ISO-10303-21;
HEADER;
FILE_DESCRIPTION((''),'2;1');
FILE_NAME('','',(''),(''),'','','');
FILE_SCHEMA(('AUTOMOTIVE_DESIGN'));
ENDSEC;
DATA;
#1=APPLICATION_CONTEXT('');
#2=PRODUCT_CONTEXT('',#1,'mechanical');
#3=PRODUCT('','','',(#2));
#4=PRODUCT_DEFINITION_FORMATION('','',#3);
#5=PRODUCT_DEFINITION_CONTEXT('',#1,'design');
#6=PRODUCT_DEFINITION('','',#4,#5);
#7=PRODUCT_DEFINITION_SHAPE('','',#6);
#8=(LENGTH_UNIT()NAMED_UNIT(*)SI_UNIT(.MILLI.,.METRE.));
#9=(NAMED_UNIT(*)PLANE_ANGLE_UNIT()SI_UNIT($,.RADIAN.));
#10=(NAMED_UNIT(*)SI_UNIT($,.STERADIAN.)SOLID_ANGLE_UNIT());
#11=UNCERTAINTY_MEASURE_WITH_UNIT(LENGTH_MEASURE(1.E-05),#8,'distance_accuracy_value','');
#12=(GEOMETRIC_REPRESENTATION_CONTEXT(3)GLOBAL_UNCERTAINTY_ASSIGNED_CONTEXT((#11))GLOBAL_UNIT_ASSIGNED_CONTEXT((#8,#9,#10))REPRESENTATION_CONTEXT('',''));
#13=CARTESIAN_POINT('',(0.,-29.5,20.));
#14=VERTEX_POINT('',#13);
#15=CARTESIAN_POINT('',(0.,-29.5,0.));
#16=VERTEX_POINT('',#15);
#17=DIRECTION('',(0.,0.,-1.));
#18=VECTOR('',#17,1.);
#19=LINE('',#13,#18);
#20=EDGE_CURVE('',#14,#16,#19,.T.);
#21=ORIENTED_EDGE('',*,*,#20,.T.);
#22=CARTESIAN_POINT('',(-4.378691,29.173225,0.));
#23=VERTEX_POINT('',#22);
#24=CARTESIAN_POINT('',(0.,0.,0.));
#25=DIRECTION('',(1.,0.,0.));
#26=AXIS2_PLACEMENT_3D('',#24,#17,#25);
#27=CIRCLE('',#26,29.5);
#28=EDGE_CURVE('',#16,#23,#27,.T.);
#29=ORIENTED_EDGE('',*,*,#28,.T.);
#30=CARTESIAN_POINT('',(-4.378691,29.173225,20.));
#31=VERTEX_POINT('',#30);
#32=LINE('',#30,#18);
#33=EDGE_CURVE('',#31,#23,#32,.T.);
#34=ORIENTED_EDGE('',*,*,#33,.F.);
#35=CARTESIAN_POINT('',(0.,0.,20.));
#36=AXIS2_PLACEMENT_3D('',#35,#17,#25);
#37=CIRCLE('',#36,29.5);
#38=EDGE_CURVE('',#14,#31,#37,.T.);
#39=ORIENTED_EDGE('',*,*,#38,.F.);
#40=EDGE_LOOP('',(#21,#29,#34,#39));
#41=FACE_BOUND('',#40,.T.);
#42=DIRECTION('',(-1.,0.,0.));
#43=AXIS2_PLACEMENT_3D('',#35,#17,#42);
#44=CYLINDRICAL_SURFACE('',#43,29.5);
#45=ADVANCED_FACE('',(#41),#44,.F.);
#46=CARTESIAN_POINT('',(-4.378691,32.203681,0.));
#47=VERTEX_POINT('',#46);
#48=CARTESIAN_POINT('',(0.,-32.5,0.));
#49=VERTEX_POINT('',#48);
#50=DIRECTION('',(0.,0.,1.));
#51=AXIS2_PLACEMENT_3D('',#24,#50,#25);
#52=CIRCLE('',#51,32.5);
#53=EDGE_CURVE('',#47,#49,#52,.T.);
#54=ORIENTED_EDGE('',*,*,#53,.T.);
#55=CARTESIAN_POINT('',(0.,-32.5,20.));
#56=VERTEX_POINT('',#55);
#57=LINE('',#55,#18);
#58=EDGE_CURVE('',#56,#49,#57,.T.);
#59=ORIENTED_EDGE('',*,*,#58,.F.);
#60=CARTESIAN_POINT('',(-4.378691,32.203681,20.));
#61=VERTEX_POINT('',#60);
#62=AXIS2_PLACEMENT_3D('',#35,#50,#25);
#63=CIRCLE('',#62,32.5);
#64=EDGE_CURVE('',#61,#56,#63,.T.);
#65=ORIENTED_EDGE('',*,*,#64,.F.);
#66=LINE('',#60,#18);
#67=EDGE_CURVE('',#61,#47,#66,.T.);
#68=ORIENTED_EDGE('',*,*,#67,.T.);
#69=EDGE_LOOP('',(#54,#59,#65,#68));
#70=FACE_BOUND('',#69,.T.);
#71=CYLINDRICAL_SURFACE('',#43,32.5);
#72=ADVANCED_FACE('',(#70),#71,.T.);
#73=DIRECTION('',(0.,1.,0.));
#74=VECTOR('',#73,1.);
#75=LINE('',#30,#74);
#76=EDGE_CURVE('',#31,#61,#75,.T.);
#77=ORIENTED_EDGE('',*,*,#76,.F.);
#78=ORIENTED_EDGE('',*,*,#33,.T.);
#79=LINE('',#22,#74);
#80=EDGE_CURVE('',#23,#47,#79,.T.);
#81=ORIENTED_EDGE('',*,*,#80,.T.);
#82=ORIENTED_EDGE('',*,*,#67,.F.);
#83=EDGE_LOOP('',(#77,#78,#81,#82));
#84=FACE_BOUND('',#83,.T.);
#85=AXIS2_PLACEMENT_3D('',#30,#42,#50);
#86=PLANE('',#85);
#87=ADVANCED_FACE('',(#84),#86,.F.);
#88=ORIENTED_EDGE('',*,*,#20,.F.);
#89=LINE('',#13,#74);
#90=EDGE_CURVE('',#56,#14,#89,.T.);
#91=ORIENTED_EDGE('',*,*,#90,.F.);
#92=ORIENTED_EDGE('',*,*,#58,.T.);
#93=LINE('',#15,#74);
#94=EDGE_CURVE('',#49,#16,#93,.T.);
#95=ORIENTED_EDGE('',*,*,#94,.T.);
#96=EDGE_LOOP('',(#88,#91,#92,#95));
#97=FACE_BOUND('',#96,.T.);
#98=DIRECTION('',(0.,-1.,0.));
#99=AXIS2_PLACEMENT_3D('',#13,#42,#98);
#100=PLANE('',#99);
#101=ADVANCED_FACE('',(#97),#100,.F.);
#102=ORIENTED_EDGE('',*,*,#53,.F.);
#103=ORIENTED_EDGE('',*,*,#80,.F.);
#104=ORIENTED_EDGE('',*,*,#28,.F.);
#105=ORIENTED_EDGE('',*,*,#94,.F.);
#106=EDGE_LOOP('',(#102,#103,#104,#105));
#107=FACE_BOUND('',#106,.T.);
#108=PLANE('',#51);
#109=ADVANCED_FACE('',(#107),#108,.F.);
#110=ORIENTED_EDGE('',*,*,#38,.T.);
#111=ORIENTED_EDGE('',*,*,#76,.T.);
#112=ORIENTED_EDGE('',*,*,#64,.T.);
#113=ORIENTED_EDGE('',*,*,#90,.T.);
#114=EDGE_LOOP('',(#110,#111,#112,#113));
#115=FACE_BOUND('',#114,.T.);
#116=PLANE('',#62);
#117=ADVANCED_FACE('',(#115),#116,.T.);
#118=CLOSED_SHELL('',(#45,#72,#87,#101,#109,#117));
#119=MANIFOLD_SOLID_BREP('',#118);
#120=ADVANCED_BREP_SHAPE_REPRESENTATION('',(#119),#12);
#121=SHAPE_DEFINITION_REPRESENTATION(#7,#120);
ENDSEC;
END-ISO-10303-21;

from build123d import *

# Parameters (mm, degrees)
BOSS_EXTRUDE1_DEPTH = 20


with BuildPart() as part:
    # Sketch1 → Boss-Extrude1 (new body)
    with BuildSketch(Plane.XY):
        with BuildLine():
            Line((0, -29.5), (0, -32.5))
            ThreePointArc((0, -32.5), (-32.4258356, -2.194353132), (-4.378691316, 32.203680882))
            Line((-4.378691316, 32.203680882), (-4.378691316, 29.173225093))
            ThreePointArc((-4.378691316, 29.173225093), (-29.418192843, -2.195433869), (0, -29.5))
        make_face()
    extrude(amount=BOSS_EXTRUDE1_DEPTH)


solid = part.part
